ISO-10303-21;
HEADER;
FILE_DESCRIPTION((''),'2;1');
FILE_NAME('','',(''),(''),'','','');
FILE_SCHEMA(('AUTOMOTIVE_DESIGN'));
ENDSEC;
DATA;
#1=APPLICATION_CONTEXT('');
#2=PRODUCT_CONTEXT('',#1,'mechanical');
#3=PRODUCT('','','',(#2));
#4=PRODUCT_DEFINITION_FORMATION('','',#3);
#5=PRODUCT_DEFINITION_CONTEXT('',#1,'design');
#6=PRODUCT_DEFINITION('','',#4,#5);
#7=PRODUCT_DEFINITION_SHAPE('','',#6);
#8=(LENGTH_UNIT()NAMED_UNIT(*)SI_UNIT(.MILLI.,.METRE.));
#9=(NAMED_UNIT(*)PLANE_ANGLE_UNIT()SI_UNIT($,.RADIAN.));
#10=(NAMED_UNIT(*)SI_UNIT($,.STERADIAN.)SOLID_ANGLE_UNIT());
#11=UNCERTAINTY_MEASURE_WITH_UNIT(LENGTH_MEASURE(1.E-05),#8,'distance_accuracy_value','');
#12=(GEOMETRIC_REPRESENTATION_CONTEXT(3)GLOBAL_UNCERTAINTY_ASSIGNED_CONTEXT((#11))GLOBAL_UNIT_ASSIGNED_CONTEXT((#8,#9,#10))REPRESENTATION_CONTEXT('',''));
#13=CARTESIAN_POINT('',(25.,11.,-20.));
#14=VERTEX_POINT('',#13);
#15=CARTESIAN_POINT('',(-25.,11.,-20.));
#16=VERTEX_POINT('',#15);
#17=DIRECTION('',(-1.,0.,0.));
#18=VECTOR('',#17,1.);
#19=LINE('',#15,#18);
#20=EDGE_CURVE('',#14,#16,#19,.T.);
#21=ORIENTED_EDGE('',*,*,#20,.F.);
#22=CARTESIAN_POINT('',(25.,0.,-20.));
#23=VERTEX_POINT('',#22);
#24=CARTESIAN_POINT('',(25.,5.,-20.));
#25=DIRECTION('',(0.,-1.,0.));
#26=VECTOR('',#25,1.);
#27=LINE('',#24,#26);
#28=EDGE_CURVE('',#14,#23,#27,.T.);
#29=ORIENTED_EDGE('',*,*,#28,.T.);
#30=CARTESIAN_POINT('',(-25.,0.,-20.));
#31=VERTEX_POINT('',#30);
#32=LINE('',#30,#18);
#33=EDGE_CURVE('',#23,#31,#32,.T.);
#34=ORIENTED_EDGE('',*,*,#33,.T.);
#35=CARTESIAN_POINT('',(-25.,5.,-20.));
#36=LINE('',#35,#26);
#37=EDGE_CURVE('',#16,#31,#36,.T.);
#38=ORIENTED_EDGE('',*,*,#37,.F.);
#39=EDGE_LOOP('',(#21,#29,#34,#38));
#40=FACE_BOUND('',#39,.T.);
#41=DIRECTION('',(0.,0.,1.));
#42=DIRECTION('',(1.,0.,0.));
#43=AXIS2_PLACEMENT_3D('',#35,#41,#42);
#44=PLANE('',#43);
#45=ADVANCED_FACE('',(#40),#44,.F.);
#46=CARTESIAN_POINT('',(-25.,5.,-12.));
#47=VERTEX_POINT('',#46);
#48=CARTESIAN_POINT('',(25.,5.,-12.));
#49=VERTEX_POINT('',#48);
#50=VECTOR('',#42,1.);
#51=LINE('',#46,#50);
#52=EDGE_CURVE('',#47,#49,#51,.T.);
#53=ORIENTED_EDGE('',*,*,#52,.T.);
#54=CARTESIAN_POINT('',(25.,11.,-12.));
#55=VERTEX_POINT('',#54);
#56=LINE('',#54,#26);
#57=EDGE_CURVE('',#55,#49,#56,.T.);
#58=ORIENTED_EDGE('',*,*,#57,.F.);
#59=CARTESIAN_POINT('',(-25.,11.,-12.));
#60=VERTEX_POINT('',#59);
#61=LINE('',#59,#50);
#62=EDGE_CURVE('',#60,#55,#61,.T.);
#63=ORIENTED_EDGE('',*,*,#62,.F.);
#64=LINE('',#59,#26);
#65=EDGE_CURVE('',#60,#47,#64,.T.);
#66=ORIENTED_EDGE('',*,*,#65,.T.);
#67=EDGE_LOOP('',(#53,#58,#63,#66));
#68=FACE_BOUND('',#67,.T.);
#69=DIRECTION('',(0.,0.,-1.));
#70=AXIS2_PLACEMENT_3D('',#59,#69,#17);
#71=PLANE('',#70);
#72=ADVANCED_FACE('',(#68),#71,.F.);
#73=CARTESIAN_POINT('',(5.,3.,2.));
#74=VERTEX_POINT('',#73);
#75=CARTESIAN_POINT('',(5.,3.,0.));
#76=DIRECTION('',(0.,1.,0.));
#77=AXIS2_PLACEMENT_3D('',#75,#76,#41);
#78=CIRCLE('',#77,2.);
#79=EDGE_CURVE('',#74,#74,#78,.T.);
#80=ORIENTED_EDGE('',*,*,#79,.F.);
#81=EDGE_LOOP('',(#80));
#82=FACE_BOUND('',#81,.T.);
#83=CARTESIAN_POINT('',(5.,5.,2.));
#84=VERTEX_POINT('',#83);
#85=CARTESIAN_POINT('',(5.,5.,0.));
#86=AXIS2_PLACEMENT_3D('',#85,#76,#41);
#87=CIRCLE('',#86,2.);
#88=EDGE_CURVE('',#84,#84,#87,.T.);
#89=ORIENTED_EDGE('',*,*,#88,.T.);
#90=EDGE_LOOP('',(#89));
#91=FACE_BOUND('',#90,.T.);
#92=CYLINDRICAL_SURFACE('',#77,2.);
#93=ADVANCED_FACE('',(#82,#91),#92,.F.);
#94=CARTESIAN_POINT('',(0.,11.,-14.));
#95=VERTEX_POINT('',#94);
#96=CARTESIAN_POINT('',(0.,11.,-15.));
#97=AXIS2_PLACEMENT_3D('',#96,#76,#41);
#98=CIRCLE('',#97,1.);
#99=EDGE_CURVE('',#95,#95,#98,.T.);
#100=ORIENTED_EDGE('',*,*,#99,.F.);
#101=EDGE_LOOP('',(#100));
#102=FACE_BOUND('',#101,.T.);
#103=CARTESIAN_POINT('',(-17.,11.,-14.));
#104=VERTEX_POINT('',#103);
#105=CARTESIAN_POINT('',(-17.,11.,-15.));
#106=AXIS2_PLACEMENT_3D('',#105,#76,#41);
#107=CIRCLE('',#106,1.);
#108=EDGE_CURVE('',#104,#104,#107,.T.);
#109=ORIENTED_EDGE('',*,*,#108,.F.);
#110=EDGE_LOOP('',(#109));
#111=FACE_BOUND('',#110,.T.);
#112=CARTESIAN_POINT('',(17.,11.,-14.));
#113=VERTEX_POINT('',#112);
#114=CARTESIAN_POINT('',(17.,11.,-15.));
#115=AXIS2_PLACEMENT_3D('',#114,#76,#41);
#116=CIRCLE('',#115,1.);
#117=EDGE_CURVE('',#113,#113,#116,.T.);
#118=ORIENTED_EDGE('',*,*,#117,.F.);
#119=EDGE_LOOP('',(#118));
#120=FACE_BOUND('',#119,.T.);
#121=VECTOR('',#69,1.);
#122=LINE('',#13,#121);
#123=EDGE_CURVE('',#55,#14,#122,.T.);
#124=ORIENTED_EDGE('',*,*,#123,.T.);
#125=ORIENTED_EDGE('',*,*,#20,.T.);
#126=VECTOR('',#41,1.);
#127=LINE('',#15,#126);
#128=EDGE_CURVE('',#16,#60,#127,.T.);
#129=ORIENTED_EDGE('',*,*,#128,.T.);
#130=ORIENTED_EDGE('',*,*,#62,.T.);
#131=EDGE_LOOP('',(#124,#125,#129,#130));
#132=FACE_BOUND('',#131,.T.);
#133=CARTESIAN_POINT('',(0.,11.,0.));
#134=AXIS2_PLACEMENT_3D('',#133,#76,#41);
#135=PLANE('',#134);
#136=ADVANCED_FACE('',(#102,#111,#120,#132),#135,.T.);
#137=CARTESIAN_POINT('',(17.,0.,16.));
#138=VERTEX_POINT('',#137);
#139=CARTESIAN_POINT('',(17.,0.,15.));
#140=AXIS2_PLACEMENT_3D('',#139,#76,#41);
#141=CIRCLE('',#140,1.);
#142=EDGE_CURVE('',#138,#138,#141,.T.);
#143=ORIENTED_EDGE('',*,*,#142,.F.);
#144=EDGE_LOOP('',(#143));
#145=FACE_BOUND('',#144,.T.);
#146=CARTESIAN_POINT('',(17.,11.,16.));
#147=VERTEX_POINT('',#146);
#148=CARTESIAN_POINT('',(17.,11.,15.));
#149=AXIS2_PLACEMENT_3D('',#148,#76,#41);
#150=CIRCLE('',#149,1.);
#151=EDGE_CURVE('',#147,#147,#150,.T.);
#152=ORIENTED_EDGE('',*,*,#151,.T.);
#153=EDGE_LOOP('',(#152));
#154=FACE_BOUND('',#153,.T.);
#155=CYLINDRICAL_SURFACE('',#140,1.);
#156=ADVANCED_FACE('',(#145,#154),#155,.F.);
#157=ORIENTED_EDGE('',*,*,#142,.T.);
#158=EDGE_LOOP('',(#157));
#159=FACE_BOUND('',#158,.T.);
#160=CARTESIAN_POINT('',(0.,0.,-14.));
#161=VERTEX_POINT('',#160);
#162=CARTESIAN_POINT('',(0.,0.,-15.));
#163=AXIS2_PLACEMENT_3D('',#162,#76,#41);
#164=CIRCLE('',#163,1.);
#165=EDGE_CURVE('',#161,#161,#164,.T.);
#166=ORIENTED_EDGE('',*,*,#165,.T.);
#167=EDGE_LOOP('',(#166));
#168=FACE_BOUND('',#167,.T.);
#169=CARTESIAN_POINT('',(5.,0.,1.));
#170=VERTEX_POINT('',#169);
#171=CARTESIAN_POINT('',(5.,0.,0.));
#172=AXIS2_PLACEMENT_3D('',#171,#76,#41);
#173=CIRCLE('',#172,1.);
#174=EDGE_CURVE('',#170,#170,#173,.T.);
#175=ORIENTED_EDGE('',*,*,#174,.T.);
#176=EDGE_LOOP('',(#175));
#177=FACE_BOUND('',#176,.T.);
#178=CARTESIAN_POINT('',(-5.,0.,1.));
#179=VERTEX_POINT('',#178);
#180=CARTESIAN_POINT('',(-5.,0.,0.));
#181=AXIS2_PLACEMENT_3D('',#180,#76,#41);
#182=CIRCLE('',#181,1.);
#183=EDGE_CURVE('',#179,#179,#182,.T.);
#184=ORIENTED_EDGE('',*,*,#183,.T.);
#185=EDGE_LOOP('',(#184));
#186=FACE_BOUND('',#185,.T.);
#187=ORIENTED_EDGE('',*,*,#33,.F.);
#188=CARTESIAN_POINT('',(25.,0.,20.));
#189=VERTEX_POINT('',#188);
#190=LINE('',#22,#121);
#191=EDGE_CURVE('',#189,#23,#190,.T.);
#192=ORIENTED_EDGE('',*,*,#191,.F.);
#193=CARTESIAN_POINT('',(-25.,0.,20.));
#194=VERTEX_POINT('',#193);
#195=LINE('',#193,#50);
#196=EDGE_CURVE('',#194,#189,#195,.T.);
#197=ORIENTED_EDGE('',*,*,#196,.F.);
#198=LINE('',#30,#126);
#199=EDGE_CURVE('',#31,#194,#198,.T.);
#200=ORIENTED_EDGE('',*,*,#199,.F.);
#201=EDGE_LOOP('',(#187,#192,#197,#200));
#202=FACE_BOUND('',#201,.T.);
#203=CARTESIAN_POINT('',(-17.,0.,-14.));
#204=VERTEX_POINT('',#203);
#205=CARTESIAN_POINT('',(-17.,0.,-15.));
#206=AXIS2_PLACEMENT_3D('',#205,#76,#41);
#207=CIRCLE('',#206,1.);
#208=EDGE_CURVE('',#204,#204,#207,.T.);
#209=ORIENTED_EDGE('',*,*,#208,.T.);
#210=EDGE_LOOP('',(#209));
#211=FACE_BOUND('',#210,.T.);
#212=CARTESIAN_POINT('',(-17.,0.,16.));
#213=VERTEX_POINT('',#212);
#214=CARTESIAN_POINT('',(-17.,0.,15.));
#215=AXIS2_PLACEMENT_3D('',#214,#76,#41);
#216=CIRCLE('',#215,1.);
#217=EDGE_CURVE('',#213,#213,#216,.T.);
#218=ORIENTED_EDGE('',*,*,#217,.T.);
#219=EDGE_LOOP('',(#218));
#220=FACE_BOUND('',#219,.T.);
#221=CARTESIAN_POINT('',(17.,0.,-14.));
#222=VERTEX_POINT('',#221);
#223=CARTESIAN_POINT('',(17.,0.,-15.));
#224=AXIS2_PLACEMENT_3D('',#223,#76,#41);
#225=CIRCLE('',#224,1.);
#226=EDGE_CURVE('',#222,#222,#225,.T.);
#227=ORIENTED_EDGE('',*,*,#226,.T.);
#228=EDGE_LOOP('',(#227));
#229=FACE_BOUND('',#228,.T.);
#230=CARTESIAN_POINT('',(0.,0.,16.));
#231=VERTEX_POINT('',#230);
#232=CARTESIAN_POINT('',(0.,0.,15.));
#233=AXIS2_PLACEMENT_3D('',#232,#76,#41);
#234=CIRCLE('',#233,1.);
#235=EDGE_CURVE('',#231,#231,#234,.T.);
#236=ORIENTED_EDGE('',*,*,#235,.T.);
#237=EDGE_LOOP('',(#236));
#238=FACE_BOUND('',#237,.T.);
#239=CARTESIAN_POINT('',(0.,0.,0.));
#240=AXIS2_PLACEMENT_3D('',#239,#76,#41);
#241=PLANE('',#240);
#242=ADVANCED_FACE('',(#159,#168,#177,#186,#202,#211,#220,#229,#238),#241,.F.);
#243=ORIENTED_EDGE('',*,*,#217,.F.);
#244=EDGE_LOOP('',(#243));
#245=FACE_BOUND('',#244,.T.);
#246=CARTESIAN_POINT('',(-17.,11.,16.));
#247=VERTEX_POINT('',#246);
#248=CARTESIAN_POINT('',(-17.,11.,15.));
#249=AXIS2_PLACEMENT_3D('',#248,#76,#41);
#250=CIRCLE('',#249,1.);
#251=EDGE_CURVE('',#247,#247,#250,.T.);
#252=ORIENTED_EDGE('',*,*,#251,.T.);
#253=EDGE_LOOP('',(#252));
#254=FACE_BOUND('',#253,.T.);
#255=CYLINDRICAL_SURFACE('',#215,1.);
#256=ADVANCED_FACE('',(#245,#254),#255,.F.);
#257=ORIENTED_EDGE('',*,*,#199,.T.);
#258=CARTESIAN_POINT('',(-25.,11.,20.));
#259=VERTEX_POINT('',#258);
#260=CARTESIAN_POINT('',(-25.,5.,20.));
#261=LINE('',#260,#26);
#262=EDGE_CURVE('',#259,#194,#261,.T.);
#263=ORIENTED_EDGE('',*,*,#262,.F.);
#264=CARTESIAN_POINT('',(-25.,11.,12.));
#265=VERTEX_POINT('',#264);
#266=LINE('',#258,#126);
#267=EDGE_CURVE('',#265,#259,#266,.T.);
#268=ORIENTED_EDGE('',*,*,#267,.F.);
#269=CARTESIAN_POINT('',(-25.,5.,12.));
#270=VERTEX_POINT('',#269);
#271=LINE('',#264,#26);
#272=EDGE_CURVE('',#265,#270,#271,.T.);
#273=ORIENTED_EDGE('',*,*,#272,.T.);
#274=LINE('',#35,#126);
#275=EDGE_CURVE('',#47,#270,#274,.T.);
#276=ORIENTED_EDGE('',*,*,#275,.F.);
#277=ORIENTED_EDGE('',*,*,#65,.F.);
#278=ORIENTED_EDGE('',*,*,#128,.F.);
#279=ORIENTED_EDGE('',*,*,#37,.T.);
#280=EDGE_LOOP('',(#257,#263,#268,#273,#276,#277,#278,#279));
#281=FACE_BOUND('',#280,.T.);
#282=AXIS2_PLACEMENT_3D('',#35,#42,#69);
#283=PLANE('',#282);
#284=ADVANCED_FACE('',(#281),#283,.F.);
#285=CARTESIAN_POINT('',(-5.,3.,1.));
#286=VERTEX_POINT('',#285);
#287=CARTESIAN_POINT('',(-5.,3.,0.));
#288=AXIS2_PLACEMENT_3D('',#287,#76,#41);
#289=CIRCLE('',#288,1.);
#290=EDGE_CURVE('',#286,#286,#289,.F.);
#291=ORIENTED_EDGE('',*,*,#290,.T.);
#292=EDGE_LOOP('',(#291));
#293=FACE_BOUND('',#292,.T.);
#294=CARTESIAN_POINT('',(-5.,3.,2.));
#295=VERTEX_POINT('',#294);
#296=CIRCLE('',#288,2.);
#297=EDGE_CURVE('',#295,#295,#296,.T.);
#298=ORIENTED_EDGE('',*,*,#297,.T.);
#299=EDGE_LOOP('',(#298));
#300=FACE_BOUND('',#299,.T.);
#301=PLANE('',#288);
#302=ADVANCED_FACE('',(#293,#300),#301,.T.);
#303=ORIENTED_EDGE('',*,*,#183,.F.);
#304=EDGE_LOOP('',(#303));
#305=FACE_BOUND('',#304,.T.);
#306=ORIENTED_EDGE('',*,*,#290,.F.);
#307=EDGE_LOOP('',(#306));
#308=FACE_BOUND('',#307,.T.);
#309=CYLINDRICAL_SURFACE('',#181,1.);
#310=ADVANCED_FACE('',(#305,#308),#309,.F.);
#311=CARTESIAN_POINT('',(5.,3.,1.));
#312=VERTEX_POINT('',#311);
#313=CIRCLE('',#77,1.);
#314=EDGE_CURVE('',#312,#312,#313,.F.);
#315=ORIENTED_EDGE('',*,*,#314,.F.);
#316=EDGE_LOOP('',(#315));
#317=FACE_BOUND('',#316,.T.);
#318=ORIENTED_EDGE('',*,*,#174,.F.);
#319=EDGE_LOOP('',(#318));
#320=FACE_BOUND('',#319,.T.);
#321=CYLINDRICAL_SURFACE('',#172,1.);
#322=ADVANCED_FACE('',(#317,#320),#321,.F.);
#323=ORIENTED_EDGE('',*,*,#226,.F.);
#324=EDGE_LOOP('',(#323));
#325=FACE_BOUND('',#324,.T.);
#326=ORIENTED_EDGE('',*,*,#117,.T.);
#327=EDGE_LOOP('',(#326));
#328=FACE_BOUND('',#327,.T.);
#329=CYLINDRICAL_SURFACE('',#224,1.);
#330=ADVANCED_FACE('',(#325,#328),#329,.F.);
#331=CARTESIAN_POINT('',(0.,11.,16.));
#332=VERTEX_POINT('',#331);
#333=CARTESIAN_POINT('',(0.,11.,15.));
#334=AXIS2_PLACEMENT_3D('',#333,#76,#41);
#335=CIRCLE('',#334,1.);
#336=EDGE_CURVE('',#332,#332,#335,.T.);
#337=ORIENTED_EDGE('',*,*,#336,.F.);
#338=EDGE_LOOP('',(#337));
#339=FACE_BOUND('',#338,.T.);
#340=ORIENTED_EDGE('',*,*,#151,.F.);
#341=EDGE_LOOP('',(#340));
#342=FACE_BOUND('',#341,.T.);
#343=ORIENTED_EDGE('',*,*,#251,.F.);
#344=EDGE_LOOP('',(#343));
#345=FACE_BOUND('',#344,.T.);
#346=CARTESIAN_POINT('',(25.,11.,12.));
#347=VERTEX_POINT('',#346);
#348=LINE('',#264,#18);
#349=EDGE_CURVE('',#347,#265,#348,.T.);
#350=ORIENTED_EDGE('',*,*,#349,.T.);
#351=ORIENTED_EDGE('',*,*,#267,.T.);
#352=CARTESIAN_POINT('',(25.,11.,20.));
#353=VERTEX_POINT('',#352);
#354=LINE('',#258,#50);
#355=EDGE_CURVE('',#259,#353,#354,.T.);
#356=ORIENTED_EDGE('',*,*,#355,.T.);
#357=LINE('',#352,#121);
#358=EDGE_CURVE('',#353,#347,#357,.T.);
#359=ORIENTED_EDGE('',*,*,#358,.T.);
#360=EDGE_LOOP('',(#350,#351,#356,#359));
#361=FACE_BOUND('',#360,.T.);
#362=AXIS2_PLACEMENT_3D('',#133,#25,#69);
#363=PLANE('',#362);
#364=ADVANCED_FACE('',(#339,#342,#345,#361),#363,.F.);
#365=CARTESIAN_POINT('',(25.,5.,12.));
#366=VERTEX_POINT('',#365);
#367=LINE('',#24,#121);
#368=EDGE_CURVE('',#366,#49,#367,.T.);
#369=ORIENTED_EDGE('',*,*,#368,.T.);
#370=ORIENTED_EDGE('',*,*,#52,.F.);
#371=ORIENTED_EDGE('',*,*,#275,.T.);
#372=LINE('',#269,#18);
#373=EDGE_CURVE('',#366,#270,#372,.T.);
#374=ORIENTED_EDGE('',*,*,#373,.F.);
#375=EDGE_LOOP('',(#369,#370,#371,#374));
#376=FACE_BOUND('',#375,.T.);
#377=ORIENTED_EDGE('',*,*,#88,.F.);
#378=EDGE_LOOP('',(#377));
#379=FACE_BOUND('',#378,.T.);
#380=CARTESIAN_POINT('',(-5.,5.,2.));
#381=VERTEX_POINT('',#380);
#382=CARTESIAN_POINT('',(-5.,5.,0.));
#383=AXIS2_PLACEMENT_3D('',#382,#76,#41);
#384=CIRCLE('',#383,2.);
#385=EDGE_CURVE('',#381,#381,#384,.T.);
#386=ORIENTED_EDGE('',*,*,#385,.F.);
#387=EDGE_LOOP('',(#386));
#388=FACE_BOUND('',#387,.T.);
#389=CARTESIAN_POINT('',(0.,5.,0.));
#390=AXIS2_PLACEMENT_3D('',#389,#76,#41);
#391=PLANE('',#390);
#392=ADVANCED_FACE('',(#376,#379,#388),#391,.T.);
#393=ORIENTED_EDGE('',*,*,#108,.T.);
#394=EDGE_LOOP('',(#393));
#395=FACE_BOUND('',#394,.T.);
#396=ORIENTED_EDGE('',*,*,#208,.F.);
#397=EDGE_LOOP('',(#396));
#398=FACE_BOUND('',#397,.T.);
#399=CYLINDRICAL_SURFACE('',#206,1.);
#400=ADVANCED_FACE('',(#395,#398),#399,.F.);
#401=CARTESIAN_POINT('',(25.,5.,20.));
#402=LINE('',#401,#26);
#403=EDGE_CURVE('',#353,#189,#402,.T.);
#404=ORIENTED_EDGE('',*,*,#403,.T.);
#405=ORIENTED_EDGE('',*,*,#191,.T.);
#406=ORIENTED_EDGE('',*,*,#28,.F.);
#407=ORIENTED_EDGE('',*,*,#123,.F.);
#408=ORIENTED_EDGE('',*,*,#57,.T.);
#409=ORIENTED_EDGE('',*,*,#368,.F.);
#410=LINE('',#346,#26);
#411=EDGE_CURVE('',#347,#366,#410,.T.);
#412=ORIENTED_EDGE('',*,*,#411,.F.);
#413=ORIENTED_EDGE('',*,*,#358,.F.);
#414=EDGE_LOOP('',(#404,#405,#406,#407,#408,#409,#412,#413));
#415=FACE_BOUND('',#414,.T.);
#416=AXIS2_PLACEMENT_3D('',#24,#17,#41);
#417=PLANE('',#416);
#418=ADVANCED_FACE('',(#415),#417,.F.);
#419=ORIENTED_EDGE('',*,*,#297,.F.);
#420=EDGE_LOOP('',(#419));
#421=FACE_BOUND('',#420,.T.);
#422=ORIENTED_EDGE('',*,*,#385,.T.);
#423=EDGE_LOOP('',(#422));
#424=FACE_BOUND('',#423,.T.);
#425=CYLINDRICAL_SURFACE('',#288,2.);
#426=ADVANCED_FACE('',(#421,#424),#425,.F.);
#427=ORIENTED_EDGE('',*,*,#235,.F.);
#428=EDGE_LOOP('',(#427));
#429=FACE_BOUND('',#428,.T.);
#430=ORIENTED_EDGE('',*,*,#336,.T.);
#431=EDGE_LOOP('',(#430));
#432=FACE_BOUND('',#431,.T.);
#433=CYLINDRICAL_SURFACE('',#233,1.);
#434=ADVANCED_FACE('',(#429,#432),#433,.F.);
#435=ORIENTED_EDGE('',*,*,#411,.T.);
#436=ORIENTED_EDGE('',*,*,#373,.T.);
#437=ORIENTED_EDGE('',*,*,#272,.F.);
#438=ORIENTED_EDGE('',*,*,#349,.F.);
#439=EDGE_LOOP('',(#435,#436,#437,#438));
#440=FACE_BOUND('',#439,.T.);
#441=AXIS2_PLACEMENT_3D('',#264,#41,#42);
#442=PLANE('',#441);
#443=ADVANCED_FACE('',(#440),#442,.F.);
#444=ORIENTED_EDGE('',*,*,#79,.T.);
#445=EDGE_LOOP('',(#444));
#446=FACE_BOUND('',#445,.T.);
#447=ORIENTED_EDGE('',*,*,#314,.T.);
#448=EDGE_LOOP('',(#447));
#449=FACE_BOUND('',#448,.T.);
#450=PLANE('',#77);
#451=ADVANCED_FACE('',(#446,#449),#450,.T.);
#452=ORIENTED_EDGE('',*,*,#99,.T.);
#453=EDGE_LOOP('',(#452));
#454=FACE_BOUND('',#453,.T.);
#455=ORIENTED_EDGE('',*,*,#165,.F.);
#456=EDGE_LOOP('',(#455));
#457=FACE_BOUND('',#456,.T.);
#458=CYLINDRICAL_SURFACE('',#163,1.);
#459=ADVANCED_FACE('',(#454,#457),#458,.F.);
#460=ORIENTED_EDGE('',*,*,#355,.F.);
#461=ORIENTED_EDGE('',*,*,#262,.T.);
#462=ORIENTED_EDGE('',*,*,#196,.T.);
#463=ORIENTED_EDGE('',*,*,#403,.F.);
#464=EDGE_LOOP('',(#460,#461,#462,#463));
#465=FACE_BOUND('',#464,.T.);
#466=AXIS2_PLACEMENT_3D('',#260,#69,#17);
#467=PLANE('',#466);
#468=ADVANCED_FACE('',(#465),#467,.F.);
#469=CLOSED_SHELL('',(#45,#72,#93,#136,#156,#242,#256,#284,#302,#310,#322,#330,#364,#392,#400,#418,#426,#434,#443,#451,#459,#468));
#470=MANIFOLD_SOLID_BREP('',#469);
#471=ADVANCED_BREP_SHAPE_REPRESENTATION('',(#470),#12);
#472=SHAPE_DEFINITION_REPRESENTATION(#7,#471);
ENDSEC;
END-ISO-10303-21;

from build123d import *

# Parameters (mm, degrees)
SKETCH1_W               = 50
SKETCH1_H               = 40
BOSS_EXTRUDE1_DEPTH     = 5
SKETCH2_R               = 1
CUT_EXTRUDE1_DEPTH      = 33.403703492
SKETCH3_R               = 2
CUT_EXTRUDE2_DEPTH      = 2
SKETCH5_W               = 50
SKETCH5_H               = 8
BOSS_EXTRUDE2_DEPTH     = 6
CUT_EXTRUDE3_DEPTH      = 33.57299495
CUT_EXTRUDE3_DEPTH_BACK = 33.57299495
SKETCH4_R               = 1


with BuildPart() as part:
    # Sketch1 → Boss-Extrude1 (new body)
    with BuildSketch(Plane(origin=(0, 0, 0), x_dir=(1, 0, 0), z_dir=(0, 1, 0))):
        Rectangle(SKETCH1_W, SKETCH1_H)
    extrude(amount=BOSS_EXTRUDE1_DEPTH)

    # Sketch2 → Cut-Extrude1 (cut, through all)
    with BuildSketch(Plane(origin=(0, 5, 0), x_dir=(1, 0, 0), z_dir=(0, 1, 0))):
        with Locations(Location((-5, 0, 0), (0, 0, 270))):
            Circle(SKETCH2_R)
        with Locations(Location((5, 0, 0), (0, 0, 270))):
            Circle(SKETCH2_R)
    extrude(amount=-CUT_EXTRUDE1_DEPTH, mode=Mode.SUBTRACT)

    # Sketch3 → Cut-Extrude2 (cut)
    with BuildSketch(Plane(origin=(0, 5, 0), x_dir=(1, 0, 0), z_dir=(0, 1, 0))):
        with Locations(Location((-5, 0, 0), (0, 0, 270))):
            Circle(SKETCH3_R)
        with Locations(Location((5, 0, 0), (0, 0, 270))):
            Circle(SKETCH3_R)
    extrude(amount=-CUT_EXTRUDE2_DEPTH, mode=Mode.SUBTRACT)

    # Sketch5 → Boss-Extrude2 (add)
    with BuildSketch(Plane(origin=(0, 5, 0), x_dir=(1, 0, 0), z_dir=(0, 1, 0))):
        with Locations((0, 16)):
            Rectangle(SKETCH5_W, SKETCH5_H)
        with Locations((0, -16)):
            Rectangle(SKETCH5_W, SKETCH5_H)
    extrude(amount=BOSS_EXTRUDE2_DEPTH)

    # Sketch4 → Cut-Extrude3 (cut, two sides: drawn at the far end of the back side and taken through both)
    with BuildSketch(Plane(origin=(0, 5, 0), x_dir=(1, 0, 0), z_dir=(0, 1, 0)).offset(-CUT_EXTRUDE3_DEPTH_BACK)):
        with Locations(Location((-17, 15, 0), (0, 0, 270))):
            Circle(SKETCH4_R)
        with Locations(Location((0, 15, 0), (0, 0, 270))):
            Circle(SKETCH4_R)
        with Locations(Location((17, 15, 0), (0, 0, 270))):
            Circle(SKETCH4_R)
        with Locations(Location((-17, -15, 0), (0, 0, 270))):
            Circle(SKETCH4_R)
        with Locations(Location((0, -15, 0), (0, 0, 270))):
            Circle(SKETCH4_R)
        with Locations(Location((17, -15, 0), (0, 0, 270))):
            Circle(SKETCH4_R)
    extrude(amount=CUT_EXTRUDE3_DEPTH + CUT_EXTRUDE3_DEPTH_BACK, mode=Mode.SUBTRACT)


solid = part.part
